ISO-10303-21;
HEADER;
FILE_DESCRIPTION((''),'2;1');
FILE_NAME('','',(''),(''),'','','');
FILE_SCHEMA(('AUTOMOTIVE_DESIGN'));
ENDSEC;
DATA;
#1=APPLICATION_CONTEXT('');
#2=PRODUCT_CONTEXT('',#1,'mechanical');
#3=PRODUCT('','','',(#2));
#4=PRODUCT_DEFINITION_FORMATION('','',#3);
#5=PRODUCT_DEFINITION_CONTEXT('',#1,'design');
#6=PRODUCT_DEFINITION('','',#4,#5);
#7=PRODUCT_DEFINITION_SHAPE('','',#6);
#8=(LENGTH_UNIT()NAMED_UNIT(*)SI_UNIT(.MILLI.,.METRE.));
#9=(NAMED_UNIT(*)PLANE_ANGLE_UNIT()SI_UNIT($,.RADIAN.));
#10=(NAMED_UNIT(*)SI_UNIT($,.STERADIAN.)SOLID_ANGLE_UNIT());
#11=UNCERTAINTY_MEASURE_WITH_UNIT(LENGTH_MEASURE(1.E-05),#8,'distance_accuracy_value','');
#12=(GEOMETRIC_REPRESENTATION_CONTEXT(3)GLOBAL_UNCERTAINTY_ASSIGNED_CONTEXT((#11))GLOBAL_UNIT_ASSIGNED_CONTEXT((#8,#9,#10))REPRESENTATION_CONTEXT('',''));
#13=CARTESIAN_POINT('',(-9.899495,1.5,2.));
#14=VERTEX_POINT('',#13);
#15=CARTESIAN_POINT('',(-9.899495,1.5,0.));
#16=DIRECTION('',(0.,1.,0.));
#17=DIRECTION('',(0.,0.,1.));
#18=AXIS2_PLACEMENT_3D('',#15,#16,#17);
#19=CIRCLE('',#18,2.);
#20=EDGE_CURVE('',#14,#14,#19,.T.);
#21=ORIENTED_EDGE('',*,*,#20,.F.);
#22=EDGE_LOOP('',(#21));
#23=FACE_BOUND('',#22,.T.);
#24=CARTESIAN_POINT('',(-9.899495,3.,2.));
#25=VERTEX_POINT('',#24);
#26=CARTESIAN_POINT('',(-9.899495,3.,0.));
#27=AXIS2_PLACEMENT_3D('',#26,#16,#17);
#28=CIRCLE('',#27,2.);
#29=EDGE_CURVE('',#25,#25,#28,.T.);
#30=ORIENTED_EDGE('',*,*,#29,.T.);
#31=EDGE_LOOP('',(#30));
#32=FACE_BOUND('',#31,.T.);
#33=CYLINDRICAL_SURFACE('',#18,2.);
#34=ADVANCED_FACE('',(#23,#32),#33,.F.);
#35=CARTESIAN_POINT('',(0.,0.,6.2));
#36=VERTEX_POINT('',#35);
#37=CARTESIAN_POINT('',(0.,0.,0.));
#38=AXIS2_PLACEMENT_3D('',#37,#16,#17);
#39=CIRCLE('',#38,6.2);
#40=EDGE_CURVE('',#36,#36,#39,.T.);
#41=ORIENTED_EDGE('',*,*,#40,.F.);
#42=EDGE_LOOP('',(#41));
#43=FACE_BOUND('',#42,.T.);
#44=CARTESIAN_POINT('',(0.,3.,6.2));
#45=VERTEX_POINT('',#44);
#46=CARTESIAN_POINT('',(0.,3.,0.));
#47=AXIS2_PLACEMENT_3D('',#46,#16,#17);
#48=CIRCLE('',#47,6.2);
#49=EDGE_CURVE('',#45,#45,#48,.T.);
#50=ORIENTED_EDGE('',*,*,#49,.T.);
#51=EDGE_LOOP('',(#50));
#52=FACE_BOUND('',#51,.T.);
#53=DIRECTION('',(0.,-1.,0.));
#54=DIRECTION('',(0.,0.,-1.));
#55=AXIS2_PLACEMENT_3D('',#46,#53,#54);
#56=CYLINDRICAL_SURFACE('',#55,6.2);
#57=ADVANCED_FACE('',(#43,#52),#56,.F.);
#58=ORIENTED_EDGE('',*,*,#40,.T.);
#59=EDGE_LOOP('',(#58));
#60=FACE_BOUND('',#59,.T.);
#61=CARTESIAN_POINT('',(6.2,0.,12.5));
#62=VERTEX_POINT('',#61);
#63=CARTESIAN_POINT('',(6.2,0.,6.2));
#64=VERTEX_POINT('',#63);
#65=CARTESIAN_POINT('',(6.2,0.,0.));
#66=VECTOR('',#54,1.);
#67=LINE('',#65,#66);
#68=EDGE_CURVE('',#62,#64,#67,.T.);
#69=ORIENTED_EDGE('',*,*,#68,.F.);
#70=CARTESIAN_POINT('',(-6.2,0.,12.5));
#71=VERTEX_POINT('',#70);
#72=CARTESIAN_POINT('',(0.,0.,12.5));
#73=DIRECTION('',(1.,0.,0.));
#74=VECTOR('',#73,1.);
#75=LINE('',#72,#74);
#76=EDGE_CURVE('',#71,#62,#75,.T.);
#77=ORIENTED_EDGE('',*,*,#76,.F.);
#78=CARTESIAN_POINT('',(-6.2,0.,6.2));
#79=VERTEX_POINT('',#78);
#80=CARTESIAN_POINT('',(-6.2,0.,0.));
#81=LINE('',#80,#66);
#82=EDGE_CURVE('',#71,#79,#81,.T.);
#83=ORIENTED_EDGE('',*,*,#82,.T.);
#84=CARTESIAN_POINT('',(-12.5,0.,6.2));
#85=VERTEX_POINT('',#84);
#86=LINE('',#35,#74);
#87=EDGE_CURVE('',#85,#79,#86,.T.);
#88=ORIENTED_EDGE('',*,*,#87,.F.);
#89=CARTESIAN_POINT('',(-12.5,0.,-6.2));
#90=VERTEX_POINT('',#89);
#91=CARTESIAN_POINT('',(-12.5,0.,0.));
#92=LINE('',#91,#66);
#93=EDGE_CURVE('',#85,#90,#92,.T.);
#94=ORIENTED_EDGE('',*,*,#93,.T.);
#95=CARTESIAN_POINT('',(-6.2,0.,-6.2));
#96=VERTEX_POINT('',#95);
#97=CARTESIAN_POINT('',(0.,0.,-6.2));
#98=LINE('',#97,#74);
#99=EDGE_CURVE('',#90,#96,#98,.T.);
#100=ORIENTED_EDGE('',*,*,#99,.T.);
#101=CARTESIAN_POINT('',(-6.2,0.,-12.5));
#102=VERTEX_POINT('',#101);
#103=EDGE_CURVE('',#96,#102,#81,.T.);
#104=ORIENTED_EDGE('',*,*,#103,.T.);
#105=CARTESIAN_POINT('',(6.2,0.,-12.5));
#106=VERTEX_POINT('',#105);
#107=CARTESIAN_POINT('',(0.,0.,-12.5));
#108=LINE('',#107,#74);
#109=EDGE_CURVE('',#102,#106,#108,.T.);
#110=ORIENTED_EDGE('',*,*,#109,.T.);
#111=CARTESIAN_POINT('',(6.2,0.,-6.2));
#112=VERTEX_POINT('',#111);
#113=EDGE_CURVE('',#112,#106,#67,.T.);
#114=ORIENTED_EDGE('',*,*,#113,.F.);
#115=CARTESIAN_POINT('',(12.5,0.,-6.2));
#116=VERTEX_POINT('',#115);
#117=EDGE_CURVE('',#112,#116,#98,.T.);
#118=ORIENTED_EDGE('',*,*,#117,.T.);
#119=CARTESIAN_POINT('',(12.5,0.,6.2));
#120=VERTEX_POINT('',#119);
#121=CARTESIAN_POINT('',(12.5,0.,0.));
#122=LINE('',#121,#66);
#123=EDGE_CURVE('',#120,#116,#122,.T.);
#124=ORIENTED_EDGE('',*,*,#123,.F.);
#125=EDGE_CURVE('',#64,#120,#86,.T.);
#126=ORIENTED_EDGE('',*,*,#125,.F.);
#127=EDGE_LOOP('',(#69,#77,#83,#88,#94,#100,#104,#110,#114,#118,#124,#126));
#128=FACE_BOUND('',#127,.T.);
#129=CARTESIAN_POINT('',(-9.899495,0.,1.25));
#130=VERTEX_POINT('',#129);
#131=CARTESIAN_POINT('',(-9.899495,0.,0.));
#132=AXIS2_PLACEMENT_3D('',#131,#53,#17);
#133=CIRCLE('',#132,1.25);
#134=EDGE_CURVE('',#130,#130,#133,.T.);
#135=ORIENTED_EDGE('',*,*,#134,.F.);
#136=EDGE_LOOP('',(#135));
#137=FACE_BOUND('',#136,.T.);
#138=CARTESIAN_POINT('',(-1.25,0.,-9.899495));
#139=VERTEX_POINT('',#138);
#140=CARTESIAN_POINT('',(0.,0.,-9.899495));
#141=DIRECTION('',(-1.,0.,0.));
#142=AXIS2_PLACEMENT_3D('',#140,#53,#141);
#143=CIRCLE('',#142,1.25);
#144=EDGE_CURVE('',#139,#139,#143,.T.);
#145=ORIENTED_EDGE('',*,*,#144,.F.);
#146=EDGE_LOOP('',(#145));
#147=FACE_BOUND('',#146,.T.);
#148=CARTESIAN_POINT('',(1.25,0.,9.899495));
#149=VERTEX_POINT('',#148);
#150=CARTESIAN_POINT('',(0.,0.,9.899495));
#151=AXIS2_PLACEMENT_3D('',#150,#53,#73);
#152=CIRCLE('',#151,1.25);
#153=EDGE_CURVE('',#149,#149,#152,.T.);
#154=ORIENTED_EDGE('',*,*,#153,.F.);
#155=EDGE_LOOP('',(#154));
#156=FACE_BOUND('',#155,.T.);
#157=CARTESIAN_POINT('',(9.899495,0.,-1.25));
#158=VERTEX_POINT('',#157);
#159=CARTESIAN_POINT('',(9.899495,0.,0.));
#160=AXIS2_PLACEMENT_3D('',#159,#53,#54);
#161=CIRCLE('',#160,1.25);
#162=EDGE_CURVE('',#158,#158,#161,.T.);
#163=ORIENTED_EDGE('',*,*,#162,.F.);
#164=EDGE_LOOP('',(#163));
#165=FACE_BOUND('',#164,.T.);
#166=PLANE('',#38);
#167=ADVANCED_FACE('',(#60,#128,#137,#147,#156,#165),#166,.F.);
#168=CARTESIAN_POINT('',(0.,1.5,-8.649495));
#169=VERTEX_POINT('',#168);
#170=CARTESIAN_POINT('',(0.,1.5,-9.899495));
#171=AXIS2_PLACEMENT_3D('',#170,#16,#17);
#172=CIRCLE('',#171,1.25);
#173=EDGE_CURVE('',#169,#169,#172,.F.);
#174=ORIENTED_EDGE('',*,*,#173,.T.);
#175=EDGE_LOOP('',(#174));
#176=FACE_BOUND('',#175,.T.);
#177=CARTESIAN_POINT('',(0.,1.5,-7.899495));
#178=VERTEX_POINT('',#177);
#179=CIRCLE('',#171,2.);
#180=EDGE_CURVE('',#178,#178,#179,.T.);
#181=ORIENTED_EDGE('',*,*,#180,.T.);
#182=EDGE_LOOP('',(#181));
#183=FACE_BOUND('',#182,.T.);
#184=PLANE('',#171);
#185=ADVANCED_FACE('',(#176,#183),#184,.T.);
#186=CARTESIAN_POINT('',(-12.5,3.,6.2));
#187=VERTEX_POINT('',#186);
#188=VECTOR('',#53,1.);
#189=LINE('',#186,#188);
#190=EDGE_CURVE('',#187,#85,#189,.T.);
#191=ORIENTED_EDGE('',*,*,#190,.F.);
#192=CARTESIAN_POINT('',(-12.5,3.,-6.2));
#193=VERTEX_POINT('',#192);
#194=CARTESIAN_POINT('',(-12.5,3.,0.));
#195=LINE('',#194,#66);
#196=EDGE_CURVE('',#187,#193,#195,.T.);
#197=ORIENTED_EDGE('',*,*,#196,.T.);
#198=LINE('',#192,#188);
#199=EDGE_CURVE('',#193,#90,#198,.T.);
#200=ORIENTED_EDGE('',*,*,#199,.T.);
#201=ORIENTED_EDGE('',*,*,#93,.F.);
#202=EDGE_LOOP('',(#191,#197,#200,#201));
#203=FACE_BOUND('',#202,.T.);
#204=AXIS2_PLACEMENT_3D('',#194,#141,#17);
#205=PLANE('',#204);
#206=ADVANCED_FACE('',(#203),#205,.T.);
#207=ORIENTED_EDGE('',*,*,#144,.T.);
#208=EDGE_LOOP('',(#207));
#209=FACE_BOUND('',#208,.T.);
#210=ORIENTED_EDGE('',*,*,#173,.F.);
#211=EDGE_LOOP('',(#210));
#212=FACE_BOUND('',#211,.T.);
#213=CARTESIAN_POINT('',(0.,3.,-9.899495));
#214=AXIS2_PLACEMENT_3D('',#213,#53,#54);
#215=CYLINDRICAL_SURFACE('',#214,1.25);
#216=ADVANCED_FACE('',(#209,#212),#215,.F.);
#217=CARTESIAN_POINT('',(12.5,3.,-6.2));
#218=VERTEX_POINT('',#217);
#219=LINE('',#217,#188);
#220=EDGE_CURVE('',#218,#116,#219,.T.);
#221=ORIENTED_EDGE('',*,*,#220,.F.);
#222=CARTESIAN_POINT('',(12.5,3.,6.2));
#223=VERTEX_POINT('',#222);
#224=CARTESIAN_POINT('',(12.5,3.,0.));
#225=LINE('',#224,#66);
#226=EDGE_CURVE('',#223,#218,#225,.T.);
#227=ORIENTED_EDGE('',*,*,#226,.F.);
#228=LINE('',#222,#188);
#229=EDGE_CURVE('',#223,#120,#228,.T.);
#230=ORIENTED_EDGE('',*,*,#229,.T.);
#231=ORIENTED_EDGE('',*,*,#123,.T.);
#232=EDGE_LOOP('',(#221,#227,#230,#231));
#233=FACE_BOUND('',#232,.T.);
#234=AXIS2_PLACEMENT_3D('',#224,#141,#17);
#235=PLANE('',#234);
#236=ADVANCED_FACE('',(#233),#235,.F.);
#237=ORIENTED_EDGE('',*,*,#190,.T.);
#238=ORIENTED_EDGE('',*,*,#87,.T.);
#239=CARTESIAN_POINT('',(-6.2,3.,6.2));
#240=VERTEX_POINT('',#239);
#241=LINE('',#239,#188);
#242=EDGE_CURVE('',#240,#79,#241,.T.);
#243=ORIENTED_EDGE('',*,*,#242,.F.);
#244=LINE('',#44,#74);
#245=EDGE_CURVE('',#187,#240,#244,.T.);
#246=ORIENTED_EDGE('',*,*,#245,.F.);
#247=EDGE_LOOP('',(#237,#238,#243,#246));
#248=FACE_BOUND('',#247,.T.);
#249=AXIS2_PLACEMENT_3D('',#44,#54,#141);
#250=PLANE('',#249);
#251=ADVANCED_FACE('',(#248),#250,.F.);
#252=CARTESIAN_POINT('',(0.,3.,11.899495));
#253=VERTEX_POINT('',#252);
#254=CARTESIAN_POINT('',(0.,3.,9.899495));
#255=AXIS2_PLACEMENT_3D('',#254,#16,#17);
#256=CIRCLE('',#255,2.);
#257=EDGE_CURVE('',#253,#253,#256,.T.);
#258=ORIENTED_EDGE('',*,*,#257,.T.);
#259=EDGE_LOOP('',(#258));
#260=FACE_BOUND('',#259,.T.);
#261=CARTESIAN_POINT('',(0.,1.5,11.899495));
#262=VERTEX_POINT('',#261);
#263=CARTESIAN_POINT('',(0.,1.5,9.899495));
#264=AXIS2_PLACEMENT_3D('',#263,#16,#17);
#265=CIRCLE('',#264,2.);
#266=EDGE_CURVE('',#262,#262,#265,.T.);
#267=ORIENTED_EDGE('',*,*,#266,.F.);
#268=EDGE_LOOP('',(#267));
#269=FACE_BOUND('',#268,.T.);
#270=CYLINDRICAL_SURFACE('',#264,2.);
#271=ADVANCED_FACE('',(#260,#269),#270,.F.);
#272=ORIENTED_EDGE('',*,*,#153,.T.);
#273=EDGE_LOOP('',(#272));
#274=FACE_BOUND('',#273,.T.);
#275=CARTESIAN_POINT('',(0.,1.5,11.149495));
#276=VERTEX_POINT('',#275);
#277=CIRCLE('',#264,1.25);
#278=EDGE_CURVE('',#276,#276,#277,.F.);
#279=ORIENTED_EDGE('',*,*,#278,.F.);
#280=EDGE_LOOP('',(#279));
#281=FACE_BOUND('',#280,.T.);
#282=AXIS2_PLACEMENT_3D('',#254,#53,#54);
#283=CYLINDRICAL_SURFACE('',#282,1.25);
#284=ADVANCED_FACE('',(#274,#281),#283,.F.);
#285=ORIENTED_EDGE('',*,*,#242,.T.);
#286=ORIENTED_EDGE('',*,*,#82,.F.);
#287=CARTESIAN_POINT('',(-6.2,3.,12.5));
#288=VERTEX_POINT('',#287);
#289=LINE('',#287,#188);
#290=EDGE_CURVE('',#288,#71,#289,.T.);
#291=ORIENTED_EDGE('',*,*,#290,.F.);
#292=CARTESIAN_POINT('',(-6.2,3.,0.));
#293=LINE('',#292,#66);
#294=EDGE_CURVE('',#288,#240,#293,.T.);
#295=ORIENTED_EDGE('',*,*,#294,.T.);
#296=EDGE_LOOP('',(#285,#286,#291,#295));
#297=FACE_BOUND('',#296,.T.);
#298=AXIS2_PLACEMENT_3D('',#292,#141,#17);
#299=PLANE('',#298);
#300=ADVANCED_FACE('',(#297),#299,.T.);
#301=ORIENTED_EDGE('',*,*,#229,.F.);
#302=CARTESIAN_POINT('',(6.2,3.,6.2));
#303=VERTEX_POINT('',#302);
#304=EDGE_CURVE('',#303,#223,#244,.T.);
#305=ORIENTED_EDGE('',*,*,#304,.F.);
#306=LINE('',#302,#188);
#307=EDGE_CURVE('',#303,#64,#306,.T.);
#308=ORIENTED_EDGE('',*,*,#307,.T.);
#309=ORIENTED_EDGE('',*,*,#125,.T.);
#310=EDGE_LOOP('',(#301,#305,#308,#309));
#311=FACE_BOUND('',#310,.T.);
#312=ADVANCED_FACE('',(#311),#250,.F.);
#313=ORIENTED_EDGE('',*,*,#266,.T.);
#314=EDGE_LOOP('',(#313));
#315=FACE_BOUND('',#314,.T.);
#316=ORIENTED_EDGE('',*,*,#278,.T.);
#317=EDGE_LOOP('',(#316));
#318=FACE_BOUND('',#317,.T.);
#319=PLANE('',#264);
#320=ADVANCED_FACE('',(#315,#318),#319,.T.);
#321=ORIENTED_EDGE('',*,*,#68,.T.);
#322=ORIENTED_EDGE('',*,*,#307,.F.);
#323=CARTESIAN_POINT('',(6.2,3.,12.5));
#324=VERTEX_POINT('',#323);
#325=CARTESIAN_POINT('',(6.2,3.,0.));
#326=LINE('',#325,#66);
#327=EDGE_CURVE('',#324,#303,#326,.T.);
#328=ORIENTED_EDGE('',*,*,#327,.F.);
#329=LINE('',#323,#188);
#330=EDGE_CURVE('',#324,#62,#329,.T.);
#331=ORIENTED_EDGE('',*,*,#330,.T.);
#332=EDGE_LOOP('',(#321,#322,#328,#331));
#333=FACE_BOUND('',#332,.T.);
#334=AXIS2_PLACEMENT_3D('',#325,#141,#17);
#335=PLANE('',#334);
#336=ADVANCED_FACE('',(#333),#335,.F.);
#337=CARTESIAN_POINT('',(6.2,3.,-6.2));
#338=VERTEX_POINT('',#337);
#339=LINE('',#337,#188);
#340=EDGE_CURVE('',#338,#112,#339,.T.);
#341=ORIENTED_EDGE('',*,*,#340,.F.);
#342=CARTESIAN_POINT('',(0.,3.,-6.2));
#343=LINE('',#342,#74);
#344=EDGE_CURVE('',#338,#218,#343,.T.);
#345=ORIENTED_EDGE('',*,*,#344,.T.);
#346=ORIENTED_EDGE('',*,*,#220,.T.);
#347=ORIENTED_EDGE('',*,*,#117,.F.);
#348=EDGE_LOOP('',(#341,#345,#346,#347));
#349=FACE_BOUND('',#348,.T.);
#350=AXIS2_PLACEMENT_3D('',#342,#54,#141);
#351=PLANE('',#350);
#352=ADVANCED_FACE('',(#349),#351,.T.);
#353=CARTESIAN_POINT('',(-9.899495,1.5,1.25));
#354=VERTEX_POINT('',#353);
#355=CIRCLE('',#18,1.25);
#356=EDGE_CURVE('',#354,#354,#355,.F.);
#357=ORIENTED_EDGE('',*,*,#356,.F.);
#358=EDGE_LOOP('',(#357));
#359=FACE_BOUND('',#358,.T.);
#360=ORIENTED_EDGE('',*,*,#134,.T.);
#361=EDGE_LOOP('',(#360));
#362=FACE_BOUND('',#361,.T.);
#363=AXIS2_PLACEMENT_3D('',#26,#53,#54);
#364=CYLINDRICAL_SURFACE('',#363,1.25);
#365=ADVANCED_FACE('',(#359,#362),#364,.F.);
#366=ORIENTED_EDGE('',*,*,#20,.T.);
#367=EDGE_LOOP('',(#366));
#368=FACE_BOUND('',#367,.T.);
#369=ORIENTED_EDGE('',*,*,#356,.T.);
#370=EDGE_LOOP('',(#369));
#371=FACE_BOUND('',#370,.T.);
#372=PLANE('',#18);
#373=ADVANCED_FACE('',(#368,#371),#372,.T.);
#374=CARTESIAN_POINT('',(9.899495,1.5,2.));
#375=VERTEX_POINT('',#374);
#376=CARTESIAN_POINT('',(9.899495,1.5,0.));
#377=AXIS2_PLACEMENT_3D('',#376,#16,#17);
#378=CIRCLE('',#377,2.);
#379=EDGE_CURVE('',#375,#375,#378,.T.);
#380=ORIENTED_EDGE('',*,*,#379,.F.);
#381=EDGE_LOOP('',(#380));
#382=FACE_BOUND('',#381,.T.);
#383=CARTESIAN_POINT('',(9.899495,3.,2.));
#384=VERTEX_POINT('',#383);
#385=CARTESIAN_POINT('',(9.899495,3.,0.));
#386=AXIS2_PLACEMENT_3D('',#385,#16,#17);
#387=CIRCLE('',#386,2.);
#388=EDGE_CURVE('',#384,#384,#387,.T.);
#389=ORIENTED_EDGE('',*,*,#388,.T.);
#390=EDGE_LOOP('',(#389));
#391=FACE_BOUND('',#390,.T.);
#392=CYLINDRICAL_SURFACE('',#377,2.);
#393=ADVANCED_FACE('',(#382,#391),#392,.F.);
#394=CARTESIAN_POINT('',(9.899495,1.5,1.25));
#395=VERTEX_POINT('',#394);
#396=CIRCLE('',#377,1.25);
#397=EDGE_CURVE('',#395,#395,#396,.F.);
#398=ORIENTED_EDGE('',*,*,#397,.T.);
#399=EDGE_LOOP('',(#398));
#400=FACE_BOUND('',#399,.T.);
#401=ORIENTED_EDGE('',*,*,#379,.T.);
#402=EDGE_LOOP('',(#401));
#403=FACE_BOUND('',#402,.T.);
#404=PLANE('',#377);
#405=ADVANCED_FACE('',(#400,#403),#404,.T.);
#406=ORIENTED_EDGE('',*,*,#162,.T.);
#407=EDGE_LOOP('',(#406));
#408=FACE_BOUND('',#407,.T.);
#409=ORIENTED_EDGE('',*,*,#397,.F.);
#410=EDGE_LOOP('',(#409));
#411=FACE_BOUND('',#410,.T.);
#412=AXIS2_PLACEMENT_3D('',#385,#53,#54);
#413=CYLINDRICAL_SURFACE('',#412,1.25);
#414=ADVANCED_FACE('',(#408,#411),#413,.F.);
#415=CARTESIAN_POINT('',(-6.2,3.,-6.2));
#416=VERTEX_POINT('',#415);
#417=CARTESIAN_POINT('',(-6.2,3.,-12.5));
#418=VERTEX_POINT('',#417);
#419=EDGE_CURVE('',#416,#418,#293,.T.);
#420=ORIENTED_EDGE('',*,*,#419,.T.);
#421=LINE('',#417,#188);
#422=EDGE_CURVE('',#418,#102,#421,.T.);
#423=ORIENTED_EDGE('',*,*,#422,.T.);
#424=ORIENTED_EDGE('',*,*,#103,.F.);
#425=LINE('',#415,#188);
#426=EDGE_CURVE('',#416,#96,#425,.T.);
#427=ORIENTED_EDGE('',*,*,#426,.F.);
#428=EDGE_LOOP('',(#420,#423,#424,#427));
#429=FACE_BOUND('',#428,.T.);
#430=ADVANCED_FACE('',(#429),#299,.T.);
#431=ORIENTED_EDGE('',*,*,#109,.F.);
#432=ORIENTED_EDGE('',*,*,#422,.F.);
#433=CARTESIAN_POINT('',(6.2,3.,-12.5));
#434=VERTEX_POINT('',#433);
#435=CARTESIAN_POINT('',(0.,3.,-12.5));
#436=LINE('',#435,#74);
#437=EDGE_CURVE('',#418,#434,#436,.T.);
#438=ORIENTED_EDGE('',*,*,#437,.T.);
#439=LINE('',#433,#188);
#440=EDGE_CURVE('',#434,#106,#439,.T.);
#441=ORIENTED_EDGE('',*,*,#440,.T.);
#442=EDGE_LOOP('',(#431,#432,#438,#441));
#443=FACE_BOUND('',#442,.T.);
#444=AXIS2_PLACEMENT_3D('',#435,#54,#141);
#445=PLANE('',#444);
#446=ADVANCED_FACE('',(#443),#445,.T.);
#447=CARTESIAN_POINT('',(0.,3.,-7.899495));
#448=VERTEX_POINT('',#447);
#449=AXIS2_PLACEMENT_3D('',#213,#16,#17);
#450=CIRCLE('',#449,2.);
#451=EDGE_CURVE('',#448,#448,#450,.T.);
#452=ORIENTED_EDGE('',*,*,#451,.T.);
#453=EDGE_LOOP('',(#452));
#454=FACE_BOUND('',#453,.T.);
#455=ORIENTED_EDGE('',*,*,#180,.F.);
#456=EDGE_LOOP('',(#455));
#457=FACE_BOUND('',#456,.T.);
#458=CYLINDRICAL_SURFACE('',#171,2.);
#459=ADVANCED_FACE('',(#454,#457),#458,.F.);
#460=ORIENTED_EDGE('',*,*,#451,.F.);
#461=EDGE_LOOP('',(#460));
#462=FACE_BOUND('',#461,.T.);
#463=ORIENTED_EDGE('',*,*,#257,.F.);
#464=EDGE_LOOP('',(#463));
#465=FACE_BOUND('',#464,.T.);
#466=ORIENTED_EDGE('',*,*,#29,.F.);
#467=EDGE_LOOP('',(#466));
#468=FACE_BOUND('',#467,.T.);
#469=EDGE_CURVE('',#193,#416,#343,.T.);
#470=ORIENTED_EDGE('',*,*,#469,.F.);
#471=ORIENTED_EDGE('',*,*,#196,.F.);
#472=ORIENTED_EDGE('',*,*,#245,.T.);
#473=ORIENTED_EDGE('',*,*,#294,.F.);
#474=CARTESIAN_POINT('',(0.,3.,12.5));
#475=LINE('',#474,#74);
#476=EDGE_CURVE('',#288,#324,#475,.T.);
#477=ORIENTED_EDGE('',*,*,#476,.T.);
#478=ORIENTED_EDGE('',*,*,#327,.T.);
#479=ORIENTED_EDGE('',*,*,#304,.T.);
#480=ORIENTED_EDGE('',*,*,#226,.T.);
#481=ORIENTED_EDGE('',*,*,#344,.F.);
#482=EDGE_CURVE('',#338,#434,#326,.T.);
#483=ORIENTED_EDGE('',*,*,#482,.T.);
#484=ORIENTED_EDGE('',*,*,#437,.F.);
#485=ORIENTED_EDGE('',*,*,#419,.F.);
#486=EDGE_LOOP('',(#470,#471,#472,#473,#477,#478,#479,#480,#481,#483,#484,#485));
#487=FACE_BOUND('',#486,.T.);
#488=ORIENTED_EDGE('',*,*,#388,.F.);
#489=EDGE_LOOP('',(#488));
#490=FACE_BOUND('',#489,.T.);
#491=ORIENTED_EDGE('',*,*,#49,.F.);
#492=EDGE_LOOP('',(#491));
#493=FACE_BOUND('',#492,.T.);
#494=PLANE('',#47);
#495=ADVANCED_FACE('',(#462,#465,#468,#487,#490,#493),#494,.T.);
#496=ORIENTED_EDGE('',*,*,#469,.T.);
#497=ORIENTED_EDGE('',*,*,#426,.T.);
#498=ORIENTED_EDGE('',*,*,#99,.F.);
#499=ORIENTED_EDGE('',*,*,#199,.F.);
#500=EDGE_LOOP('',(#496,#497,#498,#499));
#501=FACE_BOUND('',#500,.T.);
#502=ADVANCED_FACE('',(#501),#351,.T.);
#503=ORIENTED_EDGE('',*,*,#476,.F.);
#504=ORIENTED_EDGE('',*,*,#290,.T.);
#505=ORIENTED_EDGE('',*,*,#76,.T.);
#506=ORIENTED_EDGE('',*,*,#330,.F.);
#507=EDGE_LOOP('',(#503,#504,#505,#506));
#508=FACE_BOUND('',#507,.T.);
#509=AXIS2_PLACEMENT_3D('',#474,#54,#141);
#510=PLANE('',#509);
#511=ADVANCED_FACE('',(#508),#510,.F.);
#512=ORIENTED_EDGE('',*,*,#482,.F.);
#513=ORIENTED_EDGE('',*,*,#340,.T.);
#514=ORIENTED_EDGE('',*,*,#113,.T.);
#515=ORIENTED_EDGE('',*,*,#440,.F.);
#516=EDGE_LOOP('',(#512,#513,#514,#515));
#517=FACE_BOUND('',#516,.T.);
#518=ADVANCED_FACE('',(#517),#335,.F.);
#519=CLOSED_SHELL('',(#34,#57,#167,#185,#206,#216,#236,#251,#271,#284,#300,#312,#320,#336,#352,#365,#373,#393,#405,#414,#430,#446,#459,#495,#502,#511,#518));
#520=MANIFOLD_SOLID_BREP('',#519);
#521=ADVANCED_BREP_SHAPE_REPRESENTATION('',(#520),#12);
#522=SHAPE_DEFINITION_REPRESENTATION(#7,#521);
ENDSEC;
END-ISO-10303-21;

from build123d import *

# Parameters (mm, degrees)
EXTRUDE_1_DEPTH          = 3
SKETCH_2_R               = 1.25
CUT_EXTRUDE_1_DEPTH      = 18.930421077
CUT_EXTRUDE_START        = -3
SKETCH_2_3_R             = 2
CUT_EXTRUDE_2_DEPTH      = 1.5
PATTERN_CIRCULAR_1_COUNT = 4


with BuildPart() as part:
    # 草图1 → 凸台-拉伸1 (new body)
    with BuildSketch(Plane(origin=(0, 0, 0), x_dir=(1, 0, 0), z_dir=(0, 1, 0))):
        with BuildLine():
            ThreePointArc((0, 6.2), (4.384062043, 4.384062043), (6.2, 0))
            Line((6.2, 0), (6.2, 6.2))
            Line((6.2, 6.2), (0, 6.2))
        make_face()
        with BuildLine():
            Line((-6.2, 6.2), (-6.2, 1.3e-08))
            ThreePointArc((-6.2, 1.3e-08), (-4.384062039, 4.384062048), (0, 6.2))
            Line((0, 6.2), (-6.2, 6.2))
        make_face()
        with BuildLine():
            Line((-6.2, 1.3e-08), (-6.2, -6.2))
            Line((-6.2, -6.2), (0, -6.2))
            ThreePointArc((0, -6.2), (-4.384062048, -4.384062039), (-6.2, 1.3e-08))
        make_face()
        with BuildLine():
            ThreePointArc((6.2, 0), (4.384062043, -4.384062043), (0, -6.2))
            Line((0, -6.2), (6.2, -6.2))
            Line((6.2, -6.2), (6.2, 0))
        make_face()
        Polygon((0, -6.2), (-6.2, -6.2), (-6.2, -12.5), (6.2, -12.5), (6.2, -6.2), align=None)
        Polygon((6.2, 0), (6.2, -6.2), (12.5, -6.2), (12.5, 6.2), (6.2, 6.2), align=None)
        Polygon((-6.2, 12.5), (-6.2, 6.2), (0, 6.2), (6.2, 6.2), (6.2, 12.5), align=None)
        Polygon((-12.5, 6.2), (-12.5, -6.2), (-6.2, -6.2), (-6.2, 1.3e-08), (-6.2, 6.2), align=None)
    extrude(amount=EXTRUDE_1_DEPTH)

    # 草图2 → 切除-拉伸1 (cut, through all)
    with BuildSketch(Plane(origin=(0, 0, 0), x_dir=(-1, 0, 0), z_dir=(0, -1, 0))):
        with Locations(Location((-9.899494937, 0, 0), (0, 0, 90))):
            Circle(SKETCH_2_R)
    cut_extrude_1 = extrude(amount=-CUT_EXTRUDE_1_DEPTH, mode=Mode.SUBTRACT)

    # 草图2<3> → 切除-拉伸2 (cut)
    with BuildSketch(Plane(origin=(0, 0, 0), x_dir=(-1, 0, 0), z_dir=(0, -1, 0)).offset(CUT_EXTRUDE_START)):
        with Locations(Location((-9.899494937, 0, 0), (0, 0, 270))):
            Circle(SKETCH_2_3_R)
    cut_extrude_2 = extrude(amount=CUT_EXTRUDE_2_DEPTH, mode=Mode.SUBTRACT)

    # 阵列(圆周)1: 切除-拉伸1, 切除-拉伸2 ×4 about axis
    pattern_circular_1_axis = Axis((0, 0, 0), (0, 1, 0))
    add([cut_extrude_1.rotate(pattern_circular_1_axis, i * 360 / PATTERN_CIRCULAR_1_COUNT) for i in range(1, PATTERN_CIRCULAR_1_COUNT)], mode=Mode.SUBTRACT)
    add([cut_extrude_2.rotate(pattern_circular_1_axis, i * 360 / PATTERN_CIRCULAR_1_COUNT) for i in range(1, PATTERN_CIRCULAR_1_COUNT)], mode=Mode.SUBTRACT)


solid = part.part
